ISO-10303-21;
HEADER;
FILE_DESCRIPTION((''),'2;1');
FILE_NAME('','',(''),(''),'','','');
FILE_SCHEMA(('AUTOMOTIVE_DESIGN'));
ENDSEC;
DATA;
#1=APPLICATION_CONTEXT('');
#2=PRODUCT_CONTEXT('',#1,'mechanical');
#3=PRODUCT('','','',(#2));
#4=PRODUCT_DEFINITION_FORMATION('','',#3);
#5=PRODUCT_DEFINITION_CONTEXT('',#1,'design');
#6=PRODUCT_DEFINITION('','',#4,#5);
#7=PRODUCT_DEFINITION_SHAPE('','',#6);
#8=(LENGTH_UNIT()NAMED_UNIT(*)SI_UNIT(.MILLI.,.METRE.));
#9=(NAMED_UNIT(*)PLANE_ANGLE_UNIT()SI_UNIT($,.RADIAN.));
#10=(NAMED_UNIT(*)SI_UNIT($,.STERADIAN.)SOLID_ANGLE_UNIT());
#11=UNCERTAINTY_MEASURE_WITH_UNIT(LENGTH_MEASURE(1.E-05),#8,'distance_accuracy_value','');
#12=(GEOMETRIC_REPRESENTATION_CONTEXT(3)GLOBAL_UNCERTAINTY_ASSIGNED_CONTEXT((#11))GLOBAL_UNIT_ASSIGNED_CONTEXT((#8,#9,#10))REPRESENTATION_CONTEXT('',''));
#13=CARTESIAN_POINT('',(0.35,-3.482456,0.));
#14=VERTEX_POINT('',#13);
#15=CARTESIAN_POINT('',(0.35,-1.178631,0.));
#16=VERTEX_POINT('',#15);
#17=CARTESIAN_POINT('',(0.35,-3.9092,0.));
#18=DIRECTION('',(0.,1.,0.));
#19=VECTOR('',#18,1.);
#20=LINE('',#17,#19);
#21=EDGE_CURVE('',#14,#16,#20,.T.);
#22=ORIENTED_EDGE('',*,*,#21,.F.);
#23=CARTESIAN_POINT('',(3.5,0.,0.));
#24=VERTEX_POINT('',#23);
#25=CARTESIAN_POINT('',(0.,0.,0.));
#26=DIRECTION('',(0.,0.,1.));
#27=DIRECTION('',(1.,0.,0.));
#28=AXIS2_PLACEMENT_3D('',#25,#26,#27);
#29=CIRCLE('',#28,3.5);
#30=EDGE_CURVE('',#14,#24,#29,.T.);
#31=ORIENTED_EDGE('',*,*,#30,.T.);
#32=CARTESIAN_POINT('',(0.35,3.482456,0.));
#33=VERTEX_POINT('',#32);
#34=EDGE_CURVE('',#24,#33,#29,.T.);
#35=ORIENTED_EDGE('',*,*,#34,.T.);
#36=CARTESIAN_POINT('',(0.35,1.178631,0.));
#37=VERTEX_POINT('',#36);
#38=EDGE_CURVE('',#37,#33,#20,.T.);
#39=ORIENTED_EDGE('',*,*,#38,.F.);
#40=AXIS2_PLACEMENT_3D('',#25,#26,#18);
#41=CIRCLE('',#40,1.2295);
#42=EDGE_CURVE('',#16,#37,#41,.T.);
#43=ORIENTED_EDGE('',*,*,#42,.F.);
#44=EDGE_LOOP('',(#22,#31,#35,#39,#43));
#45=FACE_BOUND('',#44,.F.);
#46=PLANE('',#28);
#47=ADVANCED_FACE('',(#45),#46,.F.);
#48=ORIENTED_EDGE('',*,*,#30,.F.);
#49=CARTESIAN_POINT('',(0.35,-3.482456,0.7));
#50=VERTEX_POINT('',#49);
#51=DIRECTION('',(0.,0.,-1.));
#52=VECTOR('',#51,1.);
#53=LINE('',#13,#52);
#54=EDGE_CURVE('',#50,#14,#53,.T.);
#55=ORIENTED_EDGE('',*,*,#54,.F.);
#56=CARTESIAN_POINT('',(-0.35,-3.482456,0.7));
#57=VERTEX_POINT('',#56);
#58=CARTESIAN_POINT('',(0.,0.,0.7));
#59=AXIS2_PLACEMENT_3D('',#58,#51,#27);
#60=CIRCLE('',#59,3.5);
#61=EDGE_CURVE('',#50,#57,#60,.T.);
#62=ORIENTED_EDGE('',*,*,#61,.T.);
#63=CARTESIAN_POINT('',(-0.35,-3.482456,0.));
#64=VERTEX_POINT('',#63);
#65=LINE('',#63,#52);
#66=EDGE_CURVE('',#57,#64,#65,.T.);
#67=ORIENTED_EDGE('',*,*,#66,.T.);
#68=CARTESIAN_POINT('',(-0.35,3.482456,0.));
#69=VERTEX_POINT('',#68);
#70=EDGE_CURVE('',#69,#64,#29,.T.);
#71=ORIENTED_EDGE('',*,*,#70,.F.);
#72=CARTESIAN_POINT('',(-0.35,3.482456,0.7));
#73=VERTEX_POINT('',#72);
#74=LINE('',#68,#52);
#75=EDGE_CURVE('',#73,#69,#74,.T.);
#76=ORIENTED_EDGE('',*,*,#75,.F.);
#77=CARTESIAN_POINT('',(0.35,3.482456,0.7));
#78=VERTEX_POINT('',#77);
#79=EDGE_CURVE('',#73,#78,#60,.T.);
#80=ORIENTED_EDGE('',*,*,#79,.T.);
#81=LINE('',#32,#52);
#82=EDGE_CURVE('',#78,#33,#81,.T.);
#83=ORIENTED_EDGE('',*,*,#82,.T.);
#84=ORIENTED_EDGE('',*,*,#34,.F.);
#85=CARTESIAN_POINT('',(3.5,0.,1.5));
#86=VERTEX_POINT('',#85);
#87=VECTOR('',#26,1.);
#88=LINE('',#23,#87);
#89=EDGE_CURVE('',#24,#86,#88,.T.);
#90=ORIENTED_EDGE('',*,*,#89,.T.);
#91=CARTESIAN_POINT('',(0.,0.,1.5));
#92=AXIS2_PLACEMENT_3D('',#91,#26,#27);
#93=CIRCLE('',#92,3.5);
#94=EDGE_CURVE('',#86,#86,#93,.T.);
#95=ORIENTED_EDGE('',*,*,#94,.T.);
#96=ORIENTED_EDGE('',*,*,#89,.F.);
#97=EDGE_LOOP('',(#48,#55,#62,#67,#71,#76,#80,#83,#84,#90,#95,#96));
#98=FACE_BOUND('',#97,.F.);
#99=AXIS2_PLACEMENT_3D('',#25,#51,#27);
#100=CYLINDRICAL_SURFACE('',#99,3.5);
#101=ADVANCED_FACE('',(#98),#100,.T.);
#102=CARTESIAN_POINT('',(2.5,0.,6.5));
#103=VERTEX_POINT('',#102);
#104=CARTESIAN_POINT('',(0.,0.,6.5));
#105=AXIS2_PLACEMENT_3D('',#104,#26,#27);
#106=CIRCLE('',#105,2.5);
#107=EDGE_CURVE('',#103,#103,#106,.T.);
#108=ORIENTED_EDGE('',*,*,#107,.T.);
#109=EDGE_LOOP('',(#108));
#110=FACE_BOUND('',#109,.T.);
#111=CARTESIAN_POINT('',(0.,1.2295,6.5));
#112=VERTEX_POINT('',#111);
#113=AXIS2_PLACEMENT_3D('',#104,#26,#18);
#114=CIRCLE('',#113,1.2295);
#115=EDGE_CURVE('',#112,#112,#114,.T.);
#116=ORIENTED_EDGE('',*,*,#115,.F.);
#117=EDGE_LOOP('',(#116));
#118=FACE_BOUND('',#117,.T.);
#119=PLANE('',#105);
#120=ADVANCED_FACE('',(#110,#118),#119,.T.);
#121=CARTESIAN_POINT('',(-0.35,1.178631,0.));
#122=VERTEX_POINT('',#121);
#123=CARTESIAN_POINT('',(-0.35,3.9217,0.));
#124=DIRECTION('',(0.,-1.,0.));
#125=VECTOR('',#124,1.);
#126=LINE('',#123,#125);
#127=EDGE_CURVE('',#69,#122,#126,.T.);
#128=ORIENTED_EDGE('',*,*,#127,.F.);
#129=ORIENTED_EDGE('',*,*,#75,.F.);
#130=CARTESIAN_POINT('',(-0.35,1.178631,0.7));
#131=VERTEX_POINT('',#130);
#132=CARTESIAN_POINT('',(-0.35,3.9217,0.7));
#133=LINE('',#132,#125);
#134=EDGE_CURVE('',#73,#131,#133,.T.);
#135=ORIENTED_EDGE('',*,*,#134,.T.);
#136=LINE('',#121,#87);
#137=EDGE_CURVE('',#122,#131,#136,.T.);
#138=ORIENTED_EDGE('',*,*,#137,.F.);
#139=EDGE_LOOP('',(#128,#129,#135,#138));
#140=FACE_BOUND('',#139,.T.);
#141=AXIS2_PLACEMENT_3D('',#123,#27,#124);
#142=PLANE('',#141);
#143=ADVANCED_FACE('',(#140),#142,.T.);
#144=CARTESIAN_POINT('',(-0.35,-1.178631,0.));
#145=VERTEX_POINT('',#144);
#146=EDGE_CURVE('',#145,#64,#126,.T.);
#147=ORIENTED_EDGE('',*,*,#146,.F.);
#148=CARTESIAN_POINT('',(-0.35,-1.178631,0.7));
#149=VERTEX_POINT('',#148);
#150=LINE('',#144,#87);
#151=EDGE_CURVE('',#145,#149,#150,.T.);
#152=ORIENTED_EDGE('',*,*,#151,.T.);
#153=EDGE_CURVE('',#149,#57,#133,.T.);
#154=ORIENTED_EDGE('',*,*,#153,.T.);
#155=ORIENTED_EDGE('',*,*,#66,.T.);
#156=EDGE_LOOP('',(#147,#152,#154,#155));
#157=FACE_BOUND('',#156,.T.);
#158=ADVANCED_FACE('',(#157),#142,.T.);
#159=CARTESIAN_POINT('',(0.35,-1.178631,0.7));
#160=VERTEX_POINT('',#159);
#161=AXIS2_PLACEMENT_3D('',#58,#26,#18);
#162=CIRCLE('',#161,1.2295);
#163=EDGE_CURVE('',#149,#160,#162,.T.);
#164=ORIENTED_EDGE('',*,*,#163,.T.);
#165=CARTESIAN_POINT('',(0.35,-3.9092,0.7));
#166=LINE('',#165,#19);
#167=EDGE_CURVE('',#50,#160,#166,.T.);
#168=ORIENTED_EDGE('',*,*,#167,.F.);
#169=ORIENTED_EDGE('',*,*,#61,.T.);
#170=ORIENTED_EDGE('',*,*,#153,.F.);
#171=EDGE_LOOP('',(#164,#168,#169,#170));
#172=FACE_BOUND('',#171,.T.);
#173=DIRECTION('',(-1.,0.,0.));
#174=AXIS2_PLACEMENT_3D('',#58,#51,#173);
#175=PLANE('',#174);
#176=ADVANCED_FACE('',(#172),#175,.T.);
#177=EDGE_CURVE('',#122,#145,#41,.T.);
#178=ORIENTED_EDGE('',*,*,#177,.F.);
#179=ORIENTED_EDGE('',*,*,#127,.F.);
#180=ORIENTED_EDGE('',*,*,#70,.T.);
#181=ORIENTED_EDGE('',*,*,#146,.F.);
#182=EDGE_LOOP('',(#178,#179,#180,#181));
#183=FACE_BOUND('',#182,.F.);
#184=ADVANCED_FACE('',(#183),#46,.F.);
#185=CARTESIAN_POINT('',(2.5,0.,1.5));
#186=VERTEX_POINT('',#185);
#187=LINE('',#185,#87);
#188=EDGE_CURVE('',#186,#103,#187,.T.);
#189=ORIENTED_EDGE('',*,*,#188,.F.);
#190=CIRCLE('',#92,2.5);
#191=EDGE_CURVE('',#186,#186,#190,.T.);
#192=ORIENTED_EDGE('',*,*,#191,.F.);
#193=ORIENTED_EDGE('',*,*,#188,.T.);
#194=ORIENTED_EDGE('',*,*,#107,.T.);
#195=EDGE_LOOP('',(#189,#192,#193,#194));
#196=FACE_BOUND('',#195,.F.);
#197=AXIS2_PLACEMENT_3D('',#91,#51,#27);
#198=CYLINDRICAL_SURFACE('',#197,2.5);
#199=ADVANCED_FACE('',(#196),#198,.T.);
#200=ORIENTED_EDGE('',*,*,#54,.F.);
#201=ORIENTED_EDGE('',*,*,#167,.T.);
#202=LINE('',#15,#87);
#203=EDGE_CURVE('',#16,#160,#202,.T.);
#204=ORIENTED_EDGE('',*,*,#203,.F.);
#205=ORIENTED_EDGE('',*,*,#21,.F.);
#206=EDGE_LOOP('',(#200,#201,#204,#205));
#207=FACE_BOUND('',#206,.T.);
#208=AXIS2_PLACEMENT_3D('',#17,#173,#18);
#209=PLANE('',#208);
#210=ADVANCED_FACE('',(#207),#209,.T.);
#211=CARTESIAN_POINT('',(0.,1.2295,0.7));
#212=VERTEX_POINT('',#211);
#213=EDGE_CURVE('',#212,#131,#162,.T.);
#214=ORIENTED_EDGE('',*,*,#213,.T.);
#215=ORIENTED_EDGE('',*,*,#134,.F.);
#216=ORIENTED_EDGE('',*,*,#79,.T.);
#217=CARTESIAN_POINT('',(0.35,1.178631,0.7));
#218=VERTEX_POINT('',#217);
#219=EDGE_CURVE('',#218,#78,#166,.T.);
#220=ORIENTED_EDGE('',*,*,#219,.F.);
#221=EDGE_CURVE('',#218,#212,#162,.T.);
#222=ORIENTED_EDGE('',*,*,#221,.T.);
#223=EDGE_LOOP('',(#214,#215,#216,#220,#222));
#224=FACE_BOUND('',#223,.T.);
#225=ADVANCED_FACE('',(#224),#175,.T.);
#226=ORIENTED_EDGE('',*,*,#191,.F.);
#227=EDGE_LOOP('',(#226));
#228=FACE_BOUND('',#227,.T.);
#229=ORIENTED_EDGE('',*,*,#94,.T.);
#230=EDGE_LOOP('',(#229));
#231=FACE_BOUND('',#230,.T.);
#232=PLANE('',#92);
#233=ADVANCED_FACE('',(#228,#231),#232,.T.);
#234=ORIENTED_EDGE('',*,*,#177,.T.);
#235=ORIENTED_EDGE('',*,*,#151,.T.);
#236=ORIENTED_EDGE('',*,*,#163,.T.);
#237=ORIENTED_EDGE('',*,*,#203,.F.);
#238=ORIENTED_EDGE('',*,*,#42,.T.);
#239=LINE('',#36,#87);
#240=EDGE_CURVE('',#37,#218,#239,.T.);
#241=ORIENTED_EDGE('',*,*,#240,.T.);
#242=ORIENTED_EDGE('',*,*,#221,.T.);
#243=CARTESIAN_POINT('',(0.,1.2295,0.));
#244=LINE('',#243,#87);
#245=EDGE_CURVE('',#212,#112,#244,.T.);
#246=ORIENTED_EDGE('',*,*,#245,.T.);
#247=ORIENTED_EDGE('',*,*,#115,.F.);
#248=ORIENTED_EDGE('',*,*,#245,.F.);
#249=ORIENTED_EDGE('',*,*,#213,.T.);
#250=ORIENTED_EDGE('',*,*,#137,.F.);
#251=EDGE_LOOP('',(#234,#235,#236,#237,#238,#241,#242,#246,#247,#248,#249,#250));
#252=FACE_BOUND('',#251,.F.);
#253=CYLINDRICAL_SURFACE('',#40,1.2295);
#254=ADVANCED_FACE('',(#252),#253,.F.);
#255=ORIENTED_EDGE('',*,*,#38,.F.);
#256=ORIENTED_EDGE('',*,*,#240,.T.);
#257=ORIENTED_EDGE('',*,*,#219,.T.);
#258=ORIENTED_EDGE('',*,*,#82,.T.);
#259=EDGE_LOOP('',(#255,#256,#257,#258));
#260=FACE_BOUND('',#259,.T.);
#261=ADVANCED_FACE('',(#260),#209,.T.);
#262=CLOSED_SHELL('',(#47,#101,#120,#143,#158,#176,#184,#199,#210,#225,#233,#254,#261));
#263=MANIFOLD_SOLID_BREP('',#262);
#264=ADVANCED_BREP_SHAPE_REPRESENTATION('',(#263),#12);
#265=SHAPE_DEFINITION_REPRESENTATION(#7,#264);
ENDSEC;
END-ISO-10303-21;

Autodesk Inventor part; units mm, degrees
ref_plane "YZ Plane" through (0, 0, 0) normal (1, 0, 0) x (0, 1, 0)
ref_plane "XZ Plane" through (0, 0, 0) normal (0, 1, 0) x (-1, 0, 0)
ref_plane "XY Plane" through (0, 0, 0) normal (0, 0, 1) x (1, 0, 0)
sketch "Sketch1" plane through (0, 0, 0) normal (0, 0, 1) x (1, 0, 0)
  circle A0 centre (0, 0) radius 3.5
  dimension "d0" = 7
extrude "Extrusion1" add sketch "Sketch1" along normal blind 1.5
sketch "Sketch2" plane through (0, 0, 1.5) normal (0, 0, 1) x (1, 0, 0)
  circle A0 centre (0, 0) radius 2.5
  dimension "d3" = 5
extrude "Extrusion2" add sketch "Sketch2" along normal blind 5
sketch "Sketch3" plane through (0, 0, 0) normal (0, 0, -1) x (-1, 0, 0)
  circle A0 centre (0, 0) radius 3.5 projected
hole "Hole1" at (0, 0, 0) direction (0, 0, 1) diameter 2.459 end through all thread size "M3x0.5" class "6H" standard "ISO Metric profile"
sketch "Sketch4" plane through (0, 0, 0) normal (0, 0, -1) x (-1, 0, 0)
  line L0 (-0.35, 3.9217) -> (0.35, 3.9217)
  line L1 (0.35, 3.9217) -> (0.35, -3.9092)
  line L2 (0.35, -3.9092) -> (-0.35, -3.9092)
  line L3 (-0.35, -3.9092) -> (-0.35, 3.9217)
  point P0 (0, 0)
  dimension "d13" = 0.7
  dimension "d14" = 0.35
extrude "Extrusion3" cut sketch "Sketch4" against normal blind 0.7
thread "Thread1" size "M5x0.8" class "6g" standard "ANSI Metric M Profile" full length
equation "\"d14\" = 0.5 * d13"
properties part number "screw-mount"
